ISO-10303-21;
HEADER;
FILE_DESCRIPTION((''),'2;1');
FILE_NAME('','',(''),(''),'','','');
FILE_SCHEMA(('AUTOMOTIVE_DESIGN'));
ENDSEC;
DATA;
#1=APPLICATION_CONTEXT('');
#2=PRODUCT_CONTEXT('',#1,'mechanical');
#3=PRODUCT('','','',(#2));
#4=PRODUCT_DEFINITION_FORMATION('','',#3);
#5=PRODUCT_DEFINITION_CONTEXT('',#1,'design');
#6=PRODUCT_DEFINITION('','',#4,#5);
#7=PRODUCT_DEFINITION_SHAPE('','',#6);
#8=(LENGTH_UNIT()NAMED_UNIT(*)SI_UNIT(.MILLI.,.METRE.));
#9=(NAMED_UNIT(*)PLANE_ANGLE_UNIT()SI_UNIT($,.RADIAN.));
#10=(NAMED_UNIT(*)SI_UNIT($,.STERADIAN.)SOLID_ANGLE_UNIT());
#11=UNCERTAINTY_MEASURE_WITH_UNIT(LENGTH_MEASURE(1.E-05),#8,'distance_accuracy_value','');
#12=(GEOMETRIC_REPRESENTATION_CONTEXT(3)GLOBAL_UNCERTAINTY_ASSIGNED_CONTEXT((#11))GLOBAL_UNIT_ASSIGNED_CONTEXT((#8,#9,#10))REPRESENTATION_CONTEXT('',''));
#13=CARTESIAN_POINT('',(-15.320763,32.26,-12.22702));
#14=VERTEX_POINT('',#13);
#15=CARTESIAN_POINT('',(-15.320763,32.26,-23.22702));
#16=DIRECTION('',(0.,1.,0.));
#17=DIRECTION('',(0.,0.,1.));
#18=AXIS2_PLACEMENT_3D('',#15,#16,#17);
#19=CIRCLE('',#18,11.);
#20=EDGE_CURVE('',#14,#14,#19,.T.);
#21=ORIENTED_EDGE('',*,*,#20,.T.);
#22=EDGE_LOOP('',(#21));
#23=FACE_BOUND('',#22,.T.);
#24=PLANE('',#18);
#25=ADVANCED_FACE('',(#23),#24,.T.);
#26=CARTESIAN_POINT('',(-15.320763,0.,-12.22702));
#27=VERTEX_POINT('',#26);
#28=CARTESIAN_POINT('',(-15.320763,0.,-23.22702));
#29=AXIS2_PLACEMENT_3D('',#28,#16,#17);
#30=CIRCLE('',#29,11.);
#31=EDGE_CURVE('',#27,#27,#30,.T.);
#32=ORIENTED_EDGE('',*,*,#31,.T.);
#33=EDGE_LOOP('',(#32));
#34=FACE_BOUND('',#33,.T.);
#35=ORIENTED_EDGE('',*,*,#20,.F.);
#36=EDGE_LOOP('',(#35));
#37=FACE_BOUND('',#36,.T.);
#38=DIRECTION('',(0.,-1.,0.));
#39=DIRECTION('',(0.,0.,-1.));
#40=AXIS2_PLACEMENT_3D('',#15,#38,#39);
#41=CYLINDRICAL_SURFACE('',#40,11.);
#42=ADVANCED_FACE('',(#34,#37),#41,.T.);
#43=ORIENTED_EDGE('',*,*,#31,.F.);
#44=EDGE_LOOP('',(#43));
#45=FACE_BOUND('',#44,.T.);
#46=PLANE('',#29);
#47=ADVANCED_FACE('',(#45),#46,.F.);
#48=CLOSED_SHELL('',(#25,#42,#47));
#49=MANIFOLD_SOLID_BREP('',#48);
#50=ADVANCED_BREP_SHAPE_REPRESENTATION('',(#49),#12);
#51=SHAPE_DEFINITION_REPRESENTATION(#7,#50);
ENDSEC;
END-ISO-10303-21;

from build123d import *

# Parameters (mm, degrees)
SKETCH1_R           = 11
BOSS_EXTRUDE1_DEPTH = 32.26


with BuildPart() as part:
    # Sketch1 → Boss-Extrude1 (new body)
    with BuildSketch(Plane(origin=(0, 0, 0), x_dir=(1, 0, 0), z_dir=(0, 1, 0))):
        with Locations((-15.32076311, 23.227019559)):
            Circle(SKETCH1_R)
    extrude(amount=BOSS_EXTRUDE1_DEPTH)


solid = part.part
